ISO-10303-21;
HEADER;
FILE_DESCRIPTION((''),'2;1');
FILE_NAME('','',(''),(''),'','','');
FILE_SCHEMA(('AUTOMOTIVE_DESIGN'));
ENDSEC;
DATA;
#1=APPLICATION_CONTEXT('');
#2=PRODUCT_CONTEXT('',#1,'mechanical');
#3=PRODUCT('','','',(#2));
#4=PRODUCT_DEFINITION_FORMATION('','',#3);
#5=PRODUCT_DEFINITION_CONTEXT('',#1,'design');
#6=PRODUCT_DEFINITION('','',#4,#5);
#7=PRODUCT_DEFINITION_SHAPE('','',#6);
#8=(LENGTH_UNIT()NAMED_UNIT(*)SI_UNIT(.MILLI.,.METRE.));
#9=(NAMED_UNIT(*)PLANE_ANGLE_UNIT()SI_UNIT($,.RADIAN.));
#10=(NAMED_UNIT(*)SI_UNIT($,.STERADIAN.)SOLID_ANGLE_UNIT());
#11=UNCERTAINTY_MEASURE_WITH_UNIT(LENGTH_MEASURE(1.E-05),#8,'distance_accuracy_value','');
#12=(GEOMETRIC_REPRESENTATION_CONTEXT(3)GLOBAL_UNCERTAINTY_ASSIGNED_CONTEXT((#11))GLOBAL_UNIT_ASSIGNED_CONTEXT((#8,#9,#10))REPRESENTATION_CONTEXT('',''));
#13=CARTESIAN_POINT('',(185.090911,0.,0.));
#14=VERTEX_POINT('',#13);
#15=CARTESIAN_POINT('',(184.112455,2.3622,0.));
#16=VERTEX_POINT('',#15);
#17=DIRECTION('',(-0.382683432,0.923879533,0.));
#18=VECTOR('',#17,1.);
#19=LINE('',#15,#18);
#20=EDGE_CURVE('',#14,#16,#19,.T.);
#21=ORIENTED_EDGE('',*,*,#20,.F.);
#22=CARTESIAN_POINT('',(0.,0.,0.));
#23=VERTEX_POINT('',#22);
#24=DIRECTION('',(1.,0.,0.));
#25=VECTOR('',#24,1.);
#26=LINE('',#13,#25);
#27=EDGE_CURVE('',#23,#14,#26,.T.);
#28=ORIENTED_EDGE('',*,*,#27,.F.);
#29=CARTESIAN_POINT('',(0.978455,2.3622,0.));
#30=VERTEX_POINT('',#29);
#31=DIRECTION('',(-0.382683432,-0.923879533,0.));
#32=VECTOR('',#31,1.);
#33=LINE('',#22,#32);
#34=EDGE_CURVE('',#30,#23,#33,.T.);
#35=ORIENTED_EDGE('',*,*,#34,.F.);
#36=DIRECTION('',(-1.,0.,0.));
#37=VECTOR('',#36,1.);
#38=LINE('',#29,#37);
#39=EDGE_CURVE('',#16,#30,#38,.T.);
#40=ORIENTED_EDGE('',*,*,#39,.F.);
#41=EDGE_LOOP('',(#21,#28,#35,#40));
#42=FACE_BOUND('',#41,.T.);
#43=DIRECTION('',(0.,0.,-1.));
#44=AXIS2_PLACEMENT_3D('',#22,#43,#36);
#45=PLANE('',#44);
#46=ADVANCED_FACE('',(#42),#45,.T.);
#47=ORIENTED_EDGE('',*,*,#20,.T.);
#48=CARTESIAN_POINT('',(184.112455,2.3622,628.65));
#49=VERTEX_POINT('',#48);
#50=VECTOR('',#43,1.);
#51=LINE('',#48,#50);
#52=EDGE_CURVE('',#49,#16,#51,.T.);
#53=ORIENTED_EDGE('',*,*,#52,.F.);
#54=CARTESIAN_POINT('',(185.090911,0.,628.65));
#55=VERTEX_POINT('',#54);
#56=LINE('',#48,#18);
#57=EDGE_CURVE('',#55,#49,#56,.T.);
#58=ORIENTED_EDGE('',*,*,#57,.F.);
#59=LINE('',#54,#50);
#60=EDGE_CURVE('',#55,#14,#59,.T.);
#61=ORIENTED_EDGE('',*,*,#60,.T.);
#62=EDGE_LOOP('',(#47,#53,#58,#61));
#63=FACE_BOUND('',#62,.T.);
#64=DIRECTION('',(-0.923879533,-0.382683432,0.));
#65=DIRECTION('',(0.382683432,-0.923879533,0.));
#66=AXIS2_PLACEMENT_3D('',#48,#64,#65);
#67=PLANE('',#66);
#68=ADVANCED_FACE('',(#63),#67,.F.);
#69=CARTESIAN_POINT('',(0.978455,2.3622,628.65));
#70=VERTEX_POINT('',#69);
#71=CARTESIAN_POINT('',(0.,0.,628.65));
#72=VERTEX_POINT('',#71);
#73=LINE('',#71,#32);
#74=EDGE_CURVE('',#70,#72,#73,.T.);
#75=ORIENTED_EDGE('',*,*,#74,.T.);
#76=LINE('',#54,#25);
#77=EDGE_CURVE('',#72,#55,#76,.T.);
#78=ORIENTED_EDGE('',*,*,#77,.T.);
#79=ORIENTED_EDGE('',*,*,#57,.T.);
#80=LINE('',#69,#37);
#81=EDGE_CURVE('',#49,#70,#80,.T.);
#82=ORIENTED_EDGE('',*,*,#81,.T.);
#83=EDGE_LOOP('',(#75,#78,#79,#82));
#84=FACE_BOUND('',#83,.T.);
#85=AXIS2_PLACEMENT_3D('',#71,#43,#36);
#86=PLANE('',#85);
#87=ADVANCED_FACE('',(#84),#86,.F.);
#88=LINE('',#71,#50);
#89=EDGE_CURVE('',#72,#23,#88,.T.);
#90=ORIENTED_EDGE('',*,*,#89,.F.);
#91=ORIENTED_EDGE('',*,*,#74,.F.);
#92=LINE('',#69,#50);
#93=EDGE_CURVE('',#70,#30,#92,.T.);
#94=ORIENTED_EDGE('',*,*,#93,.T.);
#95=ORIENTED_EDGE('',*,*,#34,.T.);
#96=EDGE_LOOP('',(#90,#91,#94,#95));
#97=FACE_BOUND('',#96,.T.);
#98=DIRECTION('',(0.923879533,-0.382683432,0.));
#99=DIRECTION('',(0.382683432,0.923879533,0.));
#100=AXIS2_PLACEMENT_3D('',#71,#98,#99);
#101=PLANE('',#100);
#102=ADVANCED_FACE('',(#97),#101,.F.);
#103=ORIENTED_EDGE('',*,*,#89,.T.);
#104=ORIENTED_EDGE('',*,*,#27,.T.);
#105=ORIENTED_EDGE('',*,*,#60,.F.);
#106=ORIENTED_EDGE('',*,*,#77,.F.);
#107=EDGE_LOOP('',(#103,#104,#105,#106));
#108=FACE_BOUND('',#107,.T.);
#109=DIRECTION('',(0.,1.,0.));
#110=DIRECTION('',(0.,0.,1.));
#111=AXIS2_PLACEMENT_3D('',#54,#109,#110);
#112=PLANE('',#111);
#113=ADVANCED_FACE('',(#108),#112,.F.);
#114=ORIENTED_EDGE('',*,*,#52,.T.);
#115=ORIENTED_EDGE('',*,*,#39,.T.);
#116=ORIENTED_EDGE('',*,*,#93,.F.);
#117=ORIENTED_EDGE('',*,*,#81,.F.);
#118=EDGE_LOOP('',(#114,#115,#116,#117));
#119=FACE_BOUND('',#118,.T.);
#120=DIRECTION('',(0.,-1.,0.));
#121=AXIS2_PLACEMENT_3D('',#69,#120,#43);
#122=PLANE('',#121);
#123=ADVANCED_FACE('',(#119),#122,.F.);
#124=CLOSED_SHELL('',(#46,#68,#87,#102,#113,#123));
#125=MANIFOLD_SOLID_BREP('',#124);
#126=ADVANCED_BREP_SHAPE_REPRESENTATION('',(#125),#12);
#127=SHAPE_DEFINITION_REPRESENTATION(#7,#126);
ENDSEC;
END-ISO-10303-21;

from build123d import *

# Parameters (mm, degrees)
BOSS_EXTRUDE1_DEPTH = 628.65


with BuildPart() as part:
    # Sketch1 → Boss-Extrude1 (new body)
    with BuildSketch(Plane.XY):
        Polygon((0, 0), (0.978455277, 2.3622), (184.112455277, 2.3622), (185.090910554, 0), align=None)
    extrude(amount=BOSS_EXTRUDE1_DEPTH)


solid = part.part
